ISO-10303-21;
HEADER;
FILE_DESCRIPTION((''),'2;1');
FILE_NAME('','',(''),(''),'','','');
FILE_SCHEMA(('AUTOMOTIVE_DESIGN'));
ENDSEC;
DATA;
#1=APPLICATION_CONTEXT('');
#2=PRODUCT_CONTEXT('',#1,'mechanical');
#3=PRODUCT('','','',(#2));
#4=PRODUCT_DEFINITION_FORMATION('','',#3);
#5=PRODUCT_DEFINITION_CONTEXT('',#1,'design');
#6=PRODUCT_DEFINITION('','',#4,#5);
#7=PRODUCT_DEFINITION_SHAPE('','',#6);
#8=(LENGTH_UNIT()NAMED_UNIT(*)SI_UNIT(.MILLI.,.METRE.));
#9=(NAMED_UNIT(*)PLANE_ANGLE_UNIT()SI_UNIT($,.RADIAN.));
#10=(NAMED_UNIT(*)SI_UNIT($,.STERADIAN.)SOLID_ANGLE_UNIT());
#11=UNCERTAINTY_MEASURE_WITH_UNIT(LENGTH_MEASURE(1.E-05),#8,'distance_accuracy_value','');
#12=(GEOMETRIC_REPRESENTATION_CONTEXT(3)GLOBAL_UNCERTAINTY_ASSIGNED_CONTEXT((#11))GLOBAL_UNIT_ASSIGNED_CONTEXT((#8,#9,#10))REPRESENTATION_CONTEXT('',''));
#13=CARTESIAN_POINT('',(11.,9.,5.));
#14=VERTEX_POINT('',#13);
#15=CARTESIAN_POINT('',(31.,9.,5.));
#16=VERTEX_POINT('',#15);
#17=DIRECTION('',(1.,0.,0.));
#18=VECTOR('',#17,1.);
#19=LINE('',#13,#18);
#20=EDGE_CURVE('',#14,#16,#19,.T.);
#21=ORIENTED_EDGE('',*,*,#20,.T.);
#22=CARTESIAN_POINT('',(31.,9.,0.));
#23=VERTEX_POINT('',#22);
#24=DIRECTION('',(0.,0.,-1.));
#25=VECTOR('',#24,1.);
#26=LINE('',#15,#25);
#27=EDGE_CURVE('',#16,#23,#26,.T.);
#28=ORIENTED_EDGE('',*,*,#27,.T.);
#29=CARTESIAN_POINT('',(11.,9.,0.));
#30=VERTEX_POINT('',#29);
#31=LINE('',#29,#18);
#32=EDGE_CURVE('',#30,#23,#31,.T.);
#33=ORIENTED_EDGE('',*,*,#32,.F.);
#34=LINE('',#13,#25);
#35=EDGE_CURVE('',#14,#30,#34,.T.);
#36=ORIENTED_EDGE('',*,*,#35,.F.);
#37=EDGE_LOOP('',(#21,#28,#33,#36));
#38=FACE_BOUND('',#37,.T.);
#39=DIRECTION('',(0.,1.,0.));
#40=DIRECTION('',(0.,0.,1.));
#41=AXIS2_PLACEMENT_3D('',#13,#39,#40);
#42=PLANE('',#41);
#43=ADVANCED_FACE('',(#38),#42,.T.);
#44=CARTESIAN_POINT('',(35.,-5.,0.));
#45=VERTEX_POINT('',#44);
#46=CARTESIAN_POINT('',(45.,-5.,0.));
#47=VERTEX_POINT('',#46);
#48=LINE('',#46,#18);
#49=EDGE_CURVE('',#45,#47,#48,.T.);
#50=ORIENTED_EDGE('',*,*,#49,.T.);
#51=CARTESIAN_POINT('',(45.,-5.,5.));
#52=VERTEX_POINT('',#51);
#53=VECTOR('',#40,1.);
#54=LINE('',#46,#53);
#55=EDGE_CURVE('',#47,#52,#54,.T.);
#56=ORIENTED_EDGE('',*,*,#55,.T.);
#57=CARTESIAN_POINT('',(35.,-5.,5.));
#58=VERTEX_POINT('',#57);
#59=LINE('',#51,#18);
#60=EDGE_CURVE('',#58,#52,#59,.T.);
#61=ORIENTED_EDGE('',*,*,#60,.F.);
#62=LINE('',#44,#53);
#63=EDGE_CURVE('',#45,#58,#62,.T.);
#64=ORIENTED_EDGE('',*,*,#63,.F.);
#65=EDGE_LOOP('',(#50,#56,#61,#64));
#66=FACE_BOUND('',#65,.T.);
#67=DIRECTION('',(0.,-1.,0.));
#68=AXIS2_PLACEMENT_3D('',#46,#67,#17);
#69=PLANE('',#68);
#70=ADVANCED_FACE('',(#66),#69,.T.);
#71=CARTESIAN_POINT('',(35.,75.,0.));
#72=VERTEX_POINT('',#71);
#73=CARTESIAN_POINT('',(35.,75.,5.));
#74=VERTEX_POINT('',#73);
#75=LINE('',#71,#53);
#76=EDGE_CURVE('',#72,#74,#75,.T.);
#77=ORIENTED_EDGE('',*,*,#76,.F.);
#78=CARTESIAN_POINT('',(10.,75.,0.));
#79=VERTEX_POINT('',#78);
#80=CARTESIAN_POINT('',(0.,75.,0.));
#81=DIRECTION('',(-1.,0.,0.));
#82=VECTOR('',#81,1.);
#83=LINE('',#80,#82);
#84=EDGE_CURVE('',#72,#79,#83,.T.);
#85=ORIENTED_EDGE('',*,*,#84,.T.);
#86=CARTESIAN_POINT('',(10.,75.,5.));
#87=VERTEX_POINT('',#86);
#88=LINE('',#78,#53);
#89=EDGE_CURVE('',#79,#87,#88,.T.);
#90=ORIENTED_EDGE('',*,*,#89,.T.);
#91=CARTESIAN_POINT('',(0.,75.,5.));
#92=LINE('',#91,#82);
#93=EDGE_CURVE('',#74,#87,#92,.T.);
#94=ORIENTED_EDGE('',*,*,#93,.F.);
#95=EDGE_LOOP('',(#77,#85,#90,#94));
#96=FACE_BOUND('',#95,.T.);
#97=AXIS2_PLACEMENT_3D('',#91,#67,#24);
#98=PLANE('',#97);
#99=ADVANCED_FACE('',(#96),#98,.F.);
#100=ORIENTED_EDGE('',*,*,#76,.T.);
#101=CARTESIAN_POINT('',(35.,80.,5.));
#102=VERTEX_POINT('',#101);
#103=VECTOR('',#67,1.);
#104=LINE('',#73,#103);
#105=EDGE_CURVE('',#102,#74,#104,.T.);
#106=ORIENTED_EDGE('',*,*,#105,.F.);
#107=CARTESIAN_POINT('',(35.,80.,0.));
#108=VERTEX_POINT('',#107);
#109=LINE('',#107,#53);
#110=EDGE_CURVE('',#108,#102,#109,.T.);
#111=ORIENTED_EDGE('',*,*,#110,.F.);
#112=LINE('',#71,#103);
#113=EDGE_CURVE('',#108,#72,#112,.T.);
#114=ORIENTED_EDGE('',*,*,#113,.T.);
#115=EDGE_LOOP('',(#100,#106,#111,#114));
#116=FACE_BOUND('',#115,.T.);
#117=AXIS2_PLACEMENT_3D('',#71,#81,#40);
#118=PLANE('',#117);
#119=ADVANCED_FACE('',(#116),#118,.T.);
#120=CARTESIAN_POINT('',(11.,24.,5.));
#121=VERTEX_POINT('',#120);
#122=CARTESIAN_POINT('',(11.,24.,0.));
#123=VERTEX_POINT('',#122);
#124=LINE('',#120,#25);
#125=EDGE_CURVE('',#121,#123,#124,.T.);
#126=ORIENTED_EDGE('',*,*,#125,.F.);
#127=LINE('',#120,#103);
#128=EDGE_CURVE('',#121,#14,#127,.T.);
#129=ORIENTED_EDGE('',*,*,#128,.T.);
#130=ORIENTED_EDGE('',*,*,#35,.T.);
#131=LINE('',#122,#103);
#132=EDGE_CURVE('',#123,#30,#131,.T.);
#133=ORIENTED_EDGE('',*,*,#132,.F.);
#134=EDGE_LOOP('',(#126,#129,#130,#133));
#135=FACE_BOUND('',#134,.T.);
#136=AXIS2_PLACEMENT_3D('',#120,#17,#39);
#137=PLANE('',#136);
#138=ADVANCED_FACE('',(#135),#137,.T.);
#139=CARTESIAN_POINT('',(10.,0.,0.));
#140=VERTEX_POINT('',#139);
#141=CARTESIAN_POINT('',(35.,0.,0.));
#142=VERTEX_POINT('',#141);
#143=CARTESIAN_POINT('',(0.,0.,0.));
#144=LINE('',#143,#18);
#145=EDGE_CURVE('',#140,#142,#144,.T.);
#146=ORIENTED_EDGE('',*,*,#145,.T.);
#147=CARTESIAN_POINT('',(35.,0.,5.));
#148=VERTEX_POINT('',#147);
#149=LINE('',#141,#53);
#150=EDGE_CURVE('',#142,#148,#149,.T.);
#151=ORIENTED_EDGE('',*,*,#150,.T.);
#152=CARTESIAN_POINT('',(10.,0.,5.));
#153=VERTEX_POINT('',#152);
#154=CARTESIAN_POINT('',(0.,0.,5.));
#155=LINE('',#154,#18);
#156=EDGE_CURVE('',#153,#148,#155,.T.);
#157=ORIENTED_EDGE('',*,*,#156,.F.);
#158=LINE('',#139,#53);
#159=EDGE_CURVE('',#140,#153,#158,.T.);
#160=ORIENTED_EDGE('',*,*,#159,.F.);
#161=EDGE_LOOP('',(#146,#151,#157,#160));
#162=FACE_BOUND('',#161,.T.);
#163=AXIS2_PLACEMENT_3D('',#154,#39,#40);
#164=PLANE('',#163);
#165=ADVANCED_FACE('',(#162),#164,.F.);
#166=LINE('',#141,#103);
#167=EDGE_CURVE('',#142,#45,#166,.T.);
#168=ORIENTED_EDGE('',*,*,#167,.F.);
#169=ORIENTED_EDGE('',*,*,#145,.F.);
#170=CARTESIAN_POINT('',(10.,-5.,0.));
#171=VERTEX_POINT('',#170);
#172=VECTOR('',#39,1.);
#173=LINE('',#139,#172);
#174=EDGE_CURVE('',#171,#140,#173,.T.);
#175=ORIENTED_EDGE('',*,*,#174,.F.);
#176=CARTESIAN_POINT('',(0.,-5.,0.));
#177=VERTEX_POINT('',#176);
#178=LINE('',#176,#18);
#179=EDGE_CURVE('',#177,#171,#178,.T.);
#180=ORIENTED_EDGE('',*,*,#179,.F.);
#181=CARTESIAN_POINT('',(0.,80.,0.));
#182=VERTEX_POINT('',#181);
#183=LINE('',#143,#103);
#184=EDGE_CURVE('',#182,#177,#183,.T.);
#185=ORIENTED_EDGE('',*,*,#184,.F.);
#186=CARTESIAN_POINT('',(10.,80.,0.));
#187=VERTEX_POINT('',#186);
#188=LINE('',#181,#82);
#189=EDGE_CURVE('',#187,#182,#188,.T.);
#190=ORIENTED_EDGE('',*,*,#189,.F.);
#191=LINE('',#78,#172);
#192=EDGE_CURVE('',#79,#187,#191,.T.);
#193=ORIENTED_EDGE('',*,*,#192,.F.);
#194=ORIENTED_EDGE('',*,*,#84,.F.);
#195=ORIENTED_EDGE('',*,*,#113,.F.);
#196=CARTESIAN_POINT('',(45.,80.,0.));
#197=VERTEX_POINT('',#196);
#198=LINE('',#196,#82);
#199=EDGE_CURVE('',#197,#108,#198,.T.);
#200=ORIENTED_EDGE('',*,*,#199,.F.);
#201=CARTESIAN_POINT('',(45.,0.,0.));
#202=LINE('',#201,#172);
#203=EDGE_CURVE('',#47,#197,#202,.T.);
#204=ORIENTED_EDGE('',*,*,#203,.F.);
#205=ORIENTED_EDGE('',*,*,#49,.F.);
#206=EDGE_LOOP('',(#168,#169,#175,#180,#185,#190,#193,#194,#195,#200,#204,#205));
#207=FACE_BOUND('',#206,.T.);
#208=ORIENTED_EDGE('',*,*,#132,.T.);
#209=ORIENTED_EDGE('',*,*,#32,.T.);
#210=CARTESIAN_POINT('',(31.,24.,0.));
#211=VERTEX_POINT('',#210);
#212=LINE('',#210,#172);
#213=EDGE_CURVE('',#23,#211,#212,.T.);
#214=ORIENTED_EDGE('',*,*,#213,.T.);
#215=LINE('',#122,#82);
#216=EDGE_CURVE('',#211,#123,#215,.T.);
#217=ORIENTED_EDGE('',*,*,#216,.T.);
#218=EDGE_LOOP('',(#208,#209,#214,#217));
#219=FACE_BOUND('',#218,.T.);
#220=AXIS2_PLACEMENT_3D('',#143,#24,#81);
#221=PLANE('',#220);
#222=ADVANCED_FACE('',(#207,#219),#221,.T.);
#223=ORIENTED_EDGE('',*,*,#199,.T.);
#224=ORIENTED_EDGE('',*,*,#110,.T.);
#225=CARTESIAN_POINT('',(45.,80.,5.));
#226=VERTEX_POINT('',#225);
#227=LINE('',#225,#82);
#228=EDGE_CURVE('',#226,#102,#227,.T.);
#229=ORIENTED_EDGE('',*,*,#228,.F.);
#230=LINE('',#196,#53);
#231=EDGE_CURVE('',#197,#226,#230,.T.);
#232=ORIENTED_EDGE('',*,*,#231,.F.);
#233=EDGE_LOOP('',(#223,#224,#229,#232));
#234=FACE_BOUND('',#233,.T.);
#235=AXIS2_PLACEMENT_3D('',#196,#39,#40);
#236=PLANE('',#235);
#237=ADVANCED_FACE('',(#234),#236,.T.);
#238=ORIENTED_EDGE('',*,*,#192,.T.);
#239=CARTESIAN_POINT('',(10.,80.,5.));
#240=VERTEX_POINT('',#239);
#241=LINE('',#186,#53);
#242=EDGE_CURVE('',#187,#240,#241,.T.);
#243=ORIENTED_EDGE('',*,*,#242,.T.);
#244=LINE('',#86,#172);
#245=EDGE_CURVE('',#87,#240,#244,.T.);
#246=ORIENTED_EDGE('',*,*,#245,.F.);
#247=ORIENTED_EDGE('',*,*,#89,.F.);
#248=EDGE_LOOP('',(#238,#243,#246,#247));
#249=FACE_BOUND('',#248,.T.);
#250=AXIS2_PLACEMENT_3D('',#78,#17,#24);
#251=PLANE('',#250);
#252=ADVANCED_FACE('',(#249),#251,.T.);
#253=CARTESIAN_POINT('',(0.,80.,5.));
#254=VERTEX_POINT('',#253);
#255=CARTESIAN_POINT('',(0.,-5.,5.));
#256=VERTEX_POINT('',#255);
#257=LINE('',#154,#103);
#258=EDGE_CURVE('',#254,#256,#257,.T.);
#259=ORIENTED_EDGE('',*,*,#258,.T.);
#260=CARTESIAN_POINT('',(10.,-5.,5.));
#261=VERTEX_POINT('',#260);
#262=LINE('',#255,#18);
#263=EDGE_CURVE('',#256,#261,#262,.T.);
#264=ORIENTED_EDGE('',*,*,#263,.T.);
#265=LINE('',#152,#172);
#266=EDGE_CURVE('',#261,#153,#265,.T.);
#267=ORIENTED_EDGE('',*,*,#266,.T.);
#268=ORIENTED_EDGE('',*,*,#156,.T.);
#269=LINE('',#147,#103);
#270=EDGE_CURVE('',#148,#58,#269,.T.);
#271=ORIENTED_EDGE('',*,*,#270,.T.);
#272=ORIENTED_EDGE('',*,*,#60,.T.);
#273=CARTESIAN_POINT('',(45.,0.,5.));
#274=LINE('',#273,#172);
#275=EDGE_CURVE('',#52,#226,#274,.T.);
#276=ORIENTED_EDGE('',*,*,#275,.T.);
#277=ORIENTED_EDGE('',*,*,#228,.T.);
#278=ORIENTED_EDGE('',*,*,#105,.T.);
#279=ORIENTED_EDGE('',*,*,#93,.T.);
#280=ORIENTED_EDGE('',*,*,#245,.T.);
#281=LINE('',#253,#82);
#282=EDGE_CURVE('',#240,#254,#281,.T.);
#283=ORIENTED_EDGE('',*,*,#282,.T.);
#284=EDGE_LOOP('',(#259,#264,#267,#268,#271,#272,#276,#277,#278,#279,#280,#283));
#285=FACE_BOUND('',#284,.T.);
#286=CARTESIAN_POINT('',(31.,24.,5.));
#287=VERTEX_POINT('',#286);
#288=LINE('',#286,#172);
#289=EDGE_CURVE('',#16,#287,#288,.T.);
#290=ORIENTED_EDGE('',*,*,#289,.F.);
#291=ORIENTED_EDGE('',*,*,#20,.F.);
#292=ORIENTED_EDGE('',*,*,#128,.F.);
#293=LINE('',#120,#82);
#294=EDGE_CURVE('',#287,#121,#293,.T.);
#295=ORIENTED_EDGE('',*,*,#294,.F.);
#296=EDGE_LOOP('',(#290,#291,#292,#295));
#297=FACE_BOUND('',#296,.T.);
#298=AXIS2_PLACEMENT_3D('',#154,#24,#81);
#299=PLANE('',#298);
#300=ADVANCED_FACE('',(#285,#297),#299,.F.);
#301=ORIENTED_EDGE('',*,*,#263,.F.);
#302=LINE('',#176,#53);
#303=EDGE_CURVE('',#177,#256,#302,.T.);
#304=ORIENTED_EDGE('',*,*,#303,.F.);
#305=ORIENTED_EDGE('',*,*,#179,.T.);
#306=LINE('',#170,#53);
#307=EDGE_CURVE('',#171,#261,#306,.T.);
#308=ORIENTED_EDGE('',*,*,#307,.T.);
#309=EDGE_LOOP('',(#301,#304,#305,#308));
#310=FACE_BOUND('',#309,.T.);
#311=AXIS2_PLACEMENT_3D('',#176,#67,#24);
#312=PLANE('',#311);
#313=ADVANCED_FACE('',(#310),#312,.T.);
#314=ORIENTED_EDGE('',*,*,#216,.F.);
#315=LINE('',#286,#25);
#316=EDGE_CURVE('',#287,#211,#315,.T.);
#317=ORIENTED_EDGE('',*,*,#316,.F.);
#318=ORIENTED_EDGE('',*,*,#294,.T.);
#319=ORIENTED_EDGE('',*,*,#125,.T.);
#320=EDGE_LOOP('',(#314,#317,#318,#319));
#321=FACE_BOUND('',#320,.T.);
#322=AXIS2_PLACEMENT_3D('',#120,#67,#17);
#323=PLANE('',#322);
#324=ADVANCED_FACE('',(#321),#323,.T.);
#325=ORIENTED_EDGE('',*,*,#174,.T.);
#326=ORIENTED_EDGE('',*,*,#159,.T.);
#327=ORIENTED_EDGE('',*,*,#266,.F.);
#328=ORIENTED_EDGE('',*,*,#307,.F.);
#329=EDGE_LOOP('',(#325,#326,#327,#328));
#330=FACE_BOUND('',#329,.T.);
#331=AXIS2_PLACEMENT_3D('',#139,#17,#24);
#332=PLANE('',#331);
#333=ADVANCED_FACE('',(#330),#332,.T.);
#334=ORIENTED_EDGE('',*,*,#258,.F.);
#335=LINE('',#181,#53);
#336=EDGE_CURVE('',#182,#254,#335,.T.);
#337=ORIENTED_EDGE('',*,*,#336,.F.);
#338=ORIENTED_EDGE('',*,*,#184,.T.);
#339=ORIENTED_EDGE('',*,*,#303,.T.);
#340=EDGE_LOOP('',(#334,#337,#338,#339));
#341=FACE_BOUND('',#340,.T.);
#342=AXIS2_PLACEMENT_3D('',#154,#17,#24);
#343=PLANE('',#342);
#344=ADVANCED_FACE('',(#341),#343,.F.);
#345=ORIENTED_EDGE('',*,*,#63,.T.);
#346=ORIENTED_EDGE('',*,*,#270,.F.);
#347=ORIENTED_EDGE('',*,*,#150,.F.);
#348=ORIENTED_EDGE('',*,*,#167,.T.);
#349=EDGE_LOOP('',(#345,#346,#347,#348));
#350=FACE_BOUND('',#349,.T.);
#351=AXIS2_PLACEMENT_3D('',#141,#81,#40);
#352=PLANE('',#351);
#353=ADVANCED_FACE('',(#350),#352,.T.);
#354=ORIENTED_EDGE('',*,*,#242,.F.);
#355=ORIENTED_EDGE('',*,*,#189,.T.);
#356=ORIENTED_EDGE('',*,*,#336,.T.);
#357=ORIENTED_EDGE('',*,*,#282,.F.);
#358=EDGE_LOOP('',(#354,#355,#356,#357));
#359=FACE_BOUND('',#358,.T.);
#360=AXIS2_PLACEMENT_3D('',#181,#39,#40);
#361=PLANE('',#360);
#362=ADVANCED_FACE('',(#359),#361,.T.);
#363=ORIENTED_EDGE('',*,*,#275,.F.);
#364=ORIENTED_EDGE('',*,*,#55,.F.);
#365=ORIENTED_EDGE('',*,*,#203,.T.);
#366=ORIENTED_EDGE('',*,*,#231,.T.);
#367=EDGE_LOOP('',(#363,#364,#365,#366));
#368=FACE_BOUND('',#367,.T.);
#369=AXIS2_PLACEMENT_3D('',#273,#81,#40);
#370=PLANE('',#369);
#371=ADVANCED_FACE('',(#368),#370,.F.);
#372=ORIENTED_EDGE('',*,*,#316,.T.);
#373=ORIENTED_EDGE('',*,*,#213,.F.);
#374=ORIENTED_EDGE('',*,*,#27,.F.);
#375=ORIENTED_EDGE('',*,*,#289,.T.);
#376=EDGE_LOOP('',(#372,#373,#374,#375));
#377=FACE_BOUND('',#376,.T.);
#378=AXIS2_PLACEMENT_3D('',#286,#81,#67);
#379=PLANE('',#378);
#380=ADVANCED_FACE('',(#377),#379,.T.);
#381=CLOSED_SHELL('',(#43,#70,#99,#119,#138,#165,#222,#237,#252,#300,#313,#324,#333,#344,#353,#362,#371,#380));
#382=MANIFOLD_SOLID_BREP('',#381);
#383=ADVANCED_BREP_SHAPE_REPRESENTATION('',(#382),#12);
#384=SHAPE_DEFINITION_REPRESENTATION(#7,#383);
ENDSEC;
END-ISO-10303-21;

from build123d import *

# Parameters (mm, degrees)
ESQUISSE1_W        = 45
ESQUISSE1_H        = 75
ESQUISSE1_W_2      = 20
ESQUISSE1_H_2      = 15
BOSS_EXTRU_1_DEPTH = 5
ESQUISSE2_W        = 10
ESQUISSE2_H        = 5
BOSS_EXTRU_2_DEPTH = 5


with BuildPart() as part:
    # Esquisse1 → Boss.-Extru.1 (new body)
    with BuildSketch(Plane.XY):
        with Locations((22.5, 37.5)):
            Rectangle(ESQUISSE1_W, ESQUISSE1_H)
        with Locations((21, 16.5)):
            Rectangle(ESQUISSE1_W_2, ESQUISSE1_H_2, mode=Mode.SUBTRACT)
    extrude(amount=BOSS_EXTRU_1_DEPTH)

    # Esquisse2 → Boss.-Extru.2 (add)
    with BuildSketch(Plane.XY.offset(5)):
        with Locations((5, 77.5)):
            Rectangle(ESQUISSE2_W, ESQUISSE2_H)
        with Locations((40, 77.5)):
            Rectangle(ESQUISSE2_W, ESQUISSE2_H)
        with Locations((5, -2.5)):
            Rectangle(ESQUISSE2_W, ESQUISSE2_H)
        with Locations((40, -2.5)):
            Rectangle(ESQUISSE2_W, ESQUISSE2_H)
    extrude(amount=-BOSS_EXTRU_2_DEPTH)


solid = part.part
